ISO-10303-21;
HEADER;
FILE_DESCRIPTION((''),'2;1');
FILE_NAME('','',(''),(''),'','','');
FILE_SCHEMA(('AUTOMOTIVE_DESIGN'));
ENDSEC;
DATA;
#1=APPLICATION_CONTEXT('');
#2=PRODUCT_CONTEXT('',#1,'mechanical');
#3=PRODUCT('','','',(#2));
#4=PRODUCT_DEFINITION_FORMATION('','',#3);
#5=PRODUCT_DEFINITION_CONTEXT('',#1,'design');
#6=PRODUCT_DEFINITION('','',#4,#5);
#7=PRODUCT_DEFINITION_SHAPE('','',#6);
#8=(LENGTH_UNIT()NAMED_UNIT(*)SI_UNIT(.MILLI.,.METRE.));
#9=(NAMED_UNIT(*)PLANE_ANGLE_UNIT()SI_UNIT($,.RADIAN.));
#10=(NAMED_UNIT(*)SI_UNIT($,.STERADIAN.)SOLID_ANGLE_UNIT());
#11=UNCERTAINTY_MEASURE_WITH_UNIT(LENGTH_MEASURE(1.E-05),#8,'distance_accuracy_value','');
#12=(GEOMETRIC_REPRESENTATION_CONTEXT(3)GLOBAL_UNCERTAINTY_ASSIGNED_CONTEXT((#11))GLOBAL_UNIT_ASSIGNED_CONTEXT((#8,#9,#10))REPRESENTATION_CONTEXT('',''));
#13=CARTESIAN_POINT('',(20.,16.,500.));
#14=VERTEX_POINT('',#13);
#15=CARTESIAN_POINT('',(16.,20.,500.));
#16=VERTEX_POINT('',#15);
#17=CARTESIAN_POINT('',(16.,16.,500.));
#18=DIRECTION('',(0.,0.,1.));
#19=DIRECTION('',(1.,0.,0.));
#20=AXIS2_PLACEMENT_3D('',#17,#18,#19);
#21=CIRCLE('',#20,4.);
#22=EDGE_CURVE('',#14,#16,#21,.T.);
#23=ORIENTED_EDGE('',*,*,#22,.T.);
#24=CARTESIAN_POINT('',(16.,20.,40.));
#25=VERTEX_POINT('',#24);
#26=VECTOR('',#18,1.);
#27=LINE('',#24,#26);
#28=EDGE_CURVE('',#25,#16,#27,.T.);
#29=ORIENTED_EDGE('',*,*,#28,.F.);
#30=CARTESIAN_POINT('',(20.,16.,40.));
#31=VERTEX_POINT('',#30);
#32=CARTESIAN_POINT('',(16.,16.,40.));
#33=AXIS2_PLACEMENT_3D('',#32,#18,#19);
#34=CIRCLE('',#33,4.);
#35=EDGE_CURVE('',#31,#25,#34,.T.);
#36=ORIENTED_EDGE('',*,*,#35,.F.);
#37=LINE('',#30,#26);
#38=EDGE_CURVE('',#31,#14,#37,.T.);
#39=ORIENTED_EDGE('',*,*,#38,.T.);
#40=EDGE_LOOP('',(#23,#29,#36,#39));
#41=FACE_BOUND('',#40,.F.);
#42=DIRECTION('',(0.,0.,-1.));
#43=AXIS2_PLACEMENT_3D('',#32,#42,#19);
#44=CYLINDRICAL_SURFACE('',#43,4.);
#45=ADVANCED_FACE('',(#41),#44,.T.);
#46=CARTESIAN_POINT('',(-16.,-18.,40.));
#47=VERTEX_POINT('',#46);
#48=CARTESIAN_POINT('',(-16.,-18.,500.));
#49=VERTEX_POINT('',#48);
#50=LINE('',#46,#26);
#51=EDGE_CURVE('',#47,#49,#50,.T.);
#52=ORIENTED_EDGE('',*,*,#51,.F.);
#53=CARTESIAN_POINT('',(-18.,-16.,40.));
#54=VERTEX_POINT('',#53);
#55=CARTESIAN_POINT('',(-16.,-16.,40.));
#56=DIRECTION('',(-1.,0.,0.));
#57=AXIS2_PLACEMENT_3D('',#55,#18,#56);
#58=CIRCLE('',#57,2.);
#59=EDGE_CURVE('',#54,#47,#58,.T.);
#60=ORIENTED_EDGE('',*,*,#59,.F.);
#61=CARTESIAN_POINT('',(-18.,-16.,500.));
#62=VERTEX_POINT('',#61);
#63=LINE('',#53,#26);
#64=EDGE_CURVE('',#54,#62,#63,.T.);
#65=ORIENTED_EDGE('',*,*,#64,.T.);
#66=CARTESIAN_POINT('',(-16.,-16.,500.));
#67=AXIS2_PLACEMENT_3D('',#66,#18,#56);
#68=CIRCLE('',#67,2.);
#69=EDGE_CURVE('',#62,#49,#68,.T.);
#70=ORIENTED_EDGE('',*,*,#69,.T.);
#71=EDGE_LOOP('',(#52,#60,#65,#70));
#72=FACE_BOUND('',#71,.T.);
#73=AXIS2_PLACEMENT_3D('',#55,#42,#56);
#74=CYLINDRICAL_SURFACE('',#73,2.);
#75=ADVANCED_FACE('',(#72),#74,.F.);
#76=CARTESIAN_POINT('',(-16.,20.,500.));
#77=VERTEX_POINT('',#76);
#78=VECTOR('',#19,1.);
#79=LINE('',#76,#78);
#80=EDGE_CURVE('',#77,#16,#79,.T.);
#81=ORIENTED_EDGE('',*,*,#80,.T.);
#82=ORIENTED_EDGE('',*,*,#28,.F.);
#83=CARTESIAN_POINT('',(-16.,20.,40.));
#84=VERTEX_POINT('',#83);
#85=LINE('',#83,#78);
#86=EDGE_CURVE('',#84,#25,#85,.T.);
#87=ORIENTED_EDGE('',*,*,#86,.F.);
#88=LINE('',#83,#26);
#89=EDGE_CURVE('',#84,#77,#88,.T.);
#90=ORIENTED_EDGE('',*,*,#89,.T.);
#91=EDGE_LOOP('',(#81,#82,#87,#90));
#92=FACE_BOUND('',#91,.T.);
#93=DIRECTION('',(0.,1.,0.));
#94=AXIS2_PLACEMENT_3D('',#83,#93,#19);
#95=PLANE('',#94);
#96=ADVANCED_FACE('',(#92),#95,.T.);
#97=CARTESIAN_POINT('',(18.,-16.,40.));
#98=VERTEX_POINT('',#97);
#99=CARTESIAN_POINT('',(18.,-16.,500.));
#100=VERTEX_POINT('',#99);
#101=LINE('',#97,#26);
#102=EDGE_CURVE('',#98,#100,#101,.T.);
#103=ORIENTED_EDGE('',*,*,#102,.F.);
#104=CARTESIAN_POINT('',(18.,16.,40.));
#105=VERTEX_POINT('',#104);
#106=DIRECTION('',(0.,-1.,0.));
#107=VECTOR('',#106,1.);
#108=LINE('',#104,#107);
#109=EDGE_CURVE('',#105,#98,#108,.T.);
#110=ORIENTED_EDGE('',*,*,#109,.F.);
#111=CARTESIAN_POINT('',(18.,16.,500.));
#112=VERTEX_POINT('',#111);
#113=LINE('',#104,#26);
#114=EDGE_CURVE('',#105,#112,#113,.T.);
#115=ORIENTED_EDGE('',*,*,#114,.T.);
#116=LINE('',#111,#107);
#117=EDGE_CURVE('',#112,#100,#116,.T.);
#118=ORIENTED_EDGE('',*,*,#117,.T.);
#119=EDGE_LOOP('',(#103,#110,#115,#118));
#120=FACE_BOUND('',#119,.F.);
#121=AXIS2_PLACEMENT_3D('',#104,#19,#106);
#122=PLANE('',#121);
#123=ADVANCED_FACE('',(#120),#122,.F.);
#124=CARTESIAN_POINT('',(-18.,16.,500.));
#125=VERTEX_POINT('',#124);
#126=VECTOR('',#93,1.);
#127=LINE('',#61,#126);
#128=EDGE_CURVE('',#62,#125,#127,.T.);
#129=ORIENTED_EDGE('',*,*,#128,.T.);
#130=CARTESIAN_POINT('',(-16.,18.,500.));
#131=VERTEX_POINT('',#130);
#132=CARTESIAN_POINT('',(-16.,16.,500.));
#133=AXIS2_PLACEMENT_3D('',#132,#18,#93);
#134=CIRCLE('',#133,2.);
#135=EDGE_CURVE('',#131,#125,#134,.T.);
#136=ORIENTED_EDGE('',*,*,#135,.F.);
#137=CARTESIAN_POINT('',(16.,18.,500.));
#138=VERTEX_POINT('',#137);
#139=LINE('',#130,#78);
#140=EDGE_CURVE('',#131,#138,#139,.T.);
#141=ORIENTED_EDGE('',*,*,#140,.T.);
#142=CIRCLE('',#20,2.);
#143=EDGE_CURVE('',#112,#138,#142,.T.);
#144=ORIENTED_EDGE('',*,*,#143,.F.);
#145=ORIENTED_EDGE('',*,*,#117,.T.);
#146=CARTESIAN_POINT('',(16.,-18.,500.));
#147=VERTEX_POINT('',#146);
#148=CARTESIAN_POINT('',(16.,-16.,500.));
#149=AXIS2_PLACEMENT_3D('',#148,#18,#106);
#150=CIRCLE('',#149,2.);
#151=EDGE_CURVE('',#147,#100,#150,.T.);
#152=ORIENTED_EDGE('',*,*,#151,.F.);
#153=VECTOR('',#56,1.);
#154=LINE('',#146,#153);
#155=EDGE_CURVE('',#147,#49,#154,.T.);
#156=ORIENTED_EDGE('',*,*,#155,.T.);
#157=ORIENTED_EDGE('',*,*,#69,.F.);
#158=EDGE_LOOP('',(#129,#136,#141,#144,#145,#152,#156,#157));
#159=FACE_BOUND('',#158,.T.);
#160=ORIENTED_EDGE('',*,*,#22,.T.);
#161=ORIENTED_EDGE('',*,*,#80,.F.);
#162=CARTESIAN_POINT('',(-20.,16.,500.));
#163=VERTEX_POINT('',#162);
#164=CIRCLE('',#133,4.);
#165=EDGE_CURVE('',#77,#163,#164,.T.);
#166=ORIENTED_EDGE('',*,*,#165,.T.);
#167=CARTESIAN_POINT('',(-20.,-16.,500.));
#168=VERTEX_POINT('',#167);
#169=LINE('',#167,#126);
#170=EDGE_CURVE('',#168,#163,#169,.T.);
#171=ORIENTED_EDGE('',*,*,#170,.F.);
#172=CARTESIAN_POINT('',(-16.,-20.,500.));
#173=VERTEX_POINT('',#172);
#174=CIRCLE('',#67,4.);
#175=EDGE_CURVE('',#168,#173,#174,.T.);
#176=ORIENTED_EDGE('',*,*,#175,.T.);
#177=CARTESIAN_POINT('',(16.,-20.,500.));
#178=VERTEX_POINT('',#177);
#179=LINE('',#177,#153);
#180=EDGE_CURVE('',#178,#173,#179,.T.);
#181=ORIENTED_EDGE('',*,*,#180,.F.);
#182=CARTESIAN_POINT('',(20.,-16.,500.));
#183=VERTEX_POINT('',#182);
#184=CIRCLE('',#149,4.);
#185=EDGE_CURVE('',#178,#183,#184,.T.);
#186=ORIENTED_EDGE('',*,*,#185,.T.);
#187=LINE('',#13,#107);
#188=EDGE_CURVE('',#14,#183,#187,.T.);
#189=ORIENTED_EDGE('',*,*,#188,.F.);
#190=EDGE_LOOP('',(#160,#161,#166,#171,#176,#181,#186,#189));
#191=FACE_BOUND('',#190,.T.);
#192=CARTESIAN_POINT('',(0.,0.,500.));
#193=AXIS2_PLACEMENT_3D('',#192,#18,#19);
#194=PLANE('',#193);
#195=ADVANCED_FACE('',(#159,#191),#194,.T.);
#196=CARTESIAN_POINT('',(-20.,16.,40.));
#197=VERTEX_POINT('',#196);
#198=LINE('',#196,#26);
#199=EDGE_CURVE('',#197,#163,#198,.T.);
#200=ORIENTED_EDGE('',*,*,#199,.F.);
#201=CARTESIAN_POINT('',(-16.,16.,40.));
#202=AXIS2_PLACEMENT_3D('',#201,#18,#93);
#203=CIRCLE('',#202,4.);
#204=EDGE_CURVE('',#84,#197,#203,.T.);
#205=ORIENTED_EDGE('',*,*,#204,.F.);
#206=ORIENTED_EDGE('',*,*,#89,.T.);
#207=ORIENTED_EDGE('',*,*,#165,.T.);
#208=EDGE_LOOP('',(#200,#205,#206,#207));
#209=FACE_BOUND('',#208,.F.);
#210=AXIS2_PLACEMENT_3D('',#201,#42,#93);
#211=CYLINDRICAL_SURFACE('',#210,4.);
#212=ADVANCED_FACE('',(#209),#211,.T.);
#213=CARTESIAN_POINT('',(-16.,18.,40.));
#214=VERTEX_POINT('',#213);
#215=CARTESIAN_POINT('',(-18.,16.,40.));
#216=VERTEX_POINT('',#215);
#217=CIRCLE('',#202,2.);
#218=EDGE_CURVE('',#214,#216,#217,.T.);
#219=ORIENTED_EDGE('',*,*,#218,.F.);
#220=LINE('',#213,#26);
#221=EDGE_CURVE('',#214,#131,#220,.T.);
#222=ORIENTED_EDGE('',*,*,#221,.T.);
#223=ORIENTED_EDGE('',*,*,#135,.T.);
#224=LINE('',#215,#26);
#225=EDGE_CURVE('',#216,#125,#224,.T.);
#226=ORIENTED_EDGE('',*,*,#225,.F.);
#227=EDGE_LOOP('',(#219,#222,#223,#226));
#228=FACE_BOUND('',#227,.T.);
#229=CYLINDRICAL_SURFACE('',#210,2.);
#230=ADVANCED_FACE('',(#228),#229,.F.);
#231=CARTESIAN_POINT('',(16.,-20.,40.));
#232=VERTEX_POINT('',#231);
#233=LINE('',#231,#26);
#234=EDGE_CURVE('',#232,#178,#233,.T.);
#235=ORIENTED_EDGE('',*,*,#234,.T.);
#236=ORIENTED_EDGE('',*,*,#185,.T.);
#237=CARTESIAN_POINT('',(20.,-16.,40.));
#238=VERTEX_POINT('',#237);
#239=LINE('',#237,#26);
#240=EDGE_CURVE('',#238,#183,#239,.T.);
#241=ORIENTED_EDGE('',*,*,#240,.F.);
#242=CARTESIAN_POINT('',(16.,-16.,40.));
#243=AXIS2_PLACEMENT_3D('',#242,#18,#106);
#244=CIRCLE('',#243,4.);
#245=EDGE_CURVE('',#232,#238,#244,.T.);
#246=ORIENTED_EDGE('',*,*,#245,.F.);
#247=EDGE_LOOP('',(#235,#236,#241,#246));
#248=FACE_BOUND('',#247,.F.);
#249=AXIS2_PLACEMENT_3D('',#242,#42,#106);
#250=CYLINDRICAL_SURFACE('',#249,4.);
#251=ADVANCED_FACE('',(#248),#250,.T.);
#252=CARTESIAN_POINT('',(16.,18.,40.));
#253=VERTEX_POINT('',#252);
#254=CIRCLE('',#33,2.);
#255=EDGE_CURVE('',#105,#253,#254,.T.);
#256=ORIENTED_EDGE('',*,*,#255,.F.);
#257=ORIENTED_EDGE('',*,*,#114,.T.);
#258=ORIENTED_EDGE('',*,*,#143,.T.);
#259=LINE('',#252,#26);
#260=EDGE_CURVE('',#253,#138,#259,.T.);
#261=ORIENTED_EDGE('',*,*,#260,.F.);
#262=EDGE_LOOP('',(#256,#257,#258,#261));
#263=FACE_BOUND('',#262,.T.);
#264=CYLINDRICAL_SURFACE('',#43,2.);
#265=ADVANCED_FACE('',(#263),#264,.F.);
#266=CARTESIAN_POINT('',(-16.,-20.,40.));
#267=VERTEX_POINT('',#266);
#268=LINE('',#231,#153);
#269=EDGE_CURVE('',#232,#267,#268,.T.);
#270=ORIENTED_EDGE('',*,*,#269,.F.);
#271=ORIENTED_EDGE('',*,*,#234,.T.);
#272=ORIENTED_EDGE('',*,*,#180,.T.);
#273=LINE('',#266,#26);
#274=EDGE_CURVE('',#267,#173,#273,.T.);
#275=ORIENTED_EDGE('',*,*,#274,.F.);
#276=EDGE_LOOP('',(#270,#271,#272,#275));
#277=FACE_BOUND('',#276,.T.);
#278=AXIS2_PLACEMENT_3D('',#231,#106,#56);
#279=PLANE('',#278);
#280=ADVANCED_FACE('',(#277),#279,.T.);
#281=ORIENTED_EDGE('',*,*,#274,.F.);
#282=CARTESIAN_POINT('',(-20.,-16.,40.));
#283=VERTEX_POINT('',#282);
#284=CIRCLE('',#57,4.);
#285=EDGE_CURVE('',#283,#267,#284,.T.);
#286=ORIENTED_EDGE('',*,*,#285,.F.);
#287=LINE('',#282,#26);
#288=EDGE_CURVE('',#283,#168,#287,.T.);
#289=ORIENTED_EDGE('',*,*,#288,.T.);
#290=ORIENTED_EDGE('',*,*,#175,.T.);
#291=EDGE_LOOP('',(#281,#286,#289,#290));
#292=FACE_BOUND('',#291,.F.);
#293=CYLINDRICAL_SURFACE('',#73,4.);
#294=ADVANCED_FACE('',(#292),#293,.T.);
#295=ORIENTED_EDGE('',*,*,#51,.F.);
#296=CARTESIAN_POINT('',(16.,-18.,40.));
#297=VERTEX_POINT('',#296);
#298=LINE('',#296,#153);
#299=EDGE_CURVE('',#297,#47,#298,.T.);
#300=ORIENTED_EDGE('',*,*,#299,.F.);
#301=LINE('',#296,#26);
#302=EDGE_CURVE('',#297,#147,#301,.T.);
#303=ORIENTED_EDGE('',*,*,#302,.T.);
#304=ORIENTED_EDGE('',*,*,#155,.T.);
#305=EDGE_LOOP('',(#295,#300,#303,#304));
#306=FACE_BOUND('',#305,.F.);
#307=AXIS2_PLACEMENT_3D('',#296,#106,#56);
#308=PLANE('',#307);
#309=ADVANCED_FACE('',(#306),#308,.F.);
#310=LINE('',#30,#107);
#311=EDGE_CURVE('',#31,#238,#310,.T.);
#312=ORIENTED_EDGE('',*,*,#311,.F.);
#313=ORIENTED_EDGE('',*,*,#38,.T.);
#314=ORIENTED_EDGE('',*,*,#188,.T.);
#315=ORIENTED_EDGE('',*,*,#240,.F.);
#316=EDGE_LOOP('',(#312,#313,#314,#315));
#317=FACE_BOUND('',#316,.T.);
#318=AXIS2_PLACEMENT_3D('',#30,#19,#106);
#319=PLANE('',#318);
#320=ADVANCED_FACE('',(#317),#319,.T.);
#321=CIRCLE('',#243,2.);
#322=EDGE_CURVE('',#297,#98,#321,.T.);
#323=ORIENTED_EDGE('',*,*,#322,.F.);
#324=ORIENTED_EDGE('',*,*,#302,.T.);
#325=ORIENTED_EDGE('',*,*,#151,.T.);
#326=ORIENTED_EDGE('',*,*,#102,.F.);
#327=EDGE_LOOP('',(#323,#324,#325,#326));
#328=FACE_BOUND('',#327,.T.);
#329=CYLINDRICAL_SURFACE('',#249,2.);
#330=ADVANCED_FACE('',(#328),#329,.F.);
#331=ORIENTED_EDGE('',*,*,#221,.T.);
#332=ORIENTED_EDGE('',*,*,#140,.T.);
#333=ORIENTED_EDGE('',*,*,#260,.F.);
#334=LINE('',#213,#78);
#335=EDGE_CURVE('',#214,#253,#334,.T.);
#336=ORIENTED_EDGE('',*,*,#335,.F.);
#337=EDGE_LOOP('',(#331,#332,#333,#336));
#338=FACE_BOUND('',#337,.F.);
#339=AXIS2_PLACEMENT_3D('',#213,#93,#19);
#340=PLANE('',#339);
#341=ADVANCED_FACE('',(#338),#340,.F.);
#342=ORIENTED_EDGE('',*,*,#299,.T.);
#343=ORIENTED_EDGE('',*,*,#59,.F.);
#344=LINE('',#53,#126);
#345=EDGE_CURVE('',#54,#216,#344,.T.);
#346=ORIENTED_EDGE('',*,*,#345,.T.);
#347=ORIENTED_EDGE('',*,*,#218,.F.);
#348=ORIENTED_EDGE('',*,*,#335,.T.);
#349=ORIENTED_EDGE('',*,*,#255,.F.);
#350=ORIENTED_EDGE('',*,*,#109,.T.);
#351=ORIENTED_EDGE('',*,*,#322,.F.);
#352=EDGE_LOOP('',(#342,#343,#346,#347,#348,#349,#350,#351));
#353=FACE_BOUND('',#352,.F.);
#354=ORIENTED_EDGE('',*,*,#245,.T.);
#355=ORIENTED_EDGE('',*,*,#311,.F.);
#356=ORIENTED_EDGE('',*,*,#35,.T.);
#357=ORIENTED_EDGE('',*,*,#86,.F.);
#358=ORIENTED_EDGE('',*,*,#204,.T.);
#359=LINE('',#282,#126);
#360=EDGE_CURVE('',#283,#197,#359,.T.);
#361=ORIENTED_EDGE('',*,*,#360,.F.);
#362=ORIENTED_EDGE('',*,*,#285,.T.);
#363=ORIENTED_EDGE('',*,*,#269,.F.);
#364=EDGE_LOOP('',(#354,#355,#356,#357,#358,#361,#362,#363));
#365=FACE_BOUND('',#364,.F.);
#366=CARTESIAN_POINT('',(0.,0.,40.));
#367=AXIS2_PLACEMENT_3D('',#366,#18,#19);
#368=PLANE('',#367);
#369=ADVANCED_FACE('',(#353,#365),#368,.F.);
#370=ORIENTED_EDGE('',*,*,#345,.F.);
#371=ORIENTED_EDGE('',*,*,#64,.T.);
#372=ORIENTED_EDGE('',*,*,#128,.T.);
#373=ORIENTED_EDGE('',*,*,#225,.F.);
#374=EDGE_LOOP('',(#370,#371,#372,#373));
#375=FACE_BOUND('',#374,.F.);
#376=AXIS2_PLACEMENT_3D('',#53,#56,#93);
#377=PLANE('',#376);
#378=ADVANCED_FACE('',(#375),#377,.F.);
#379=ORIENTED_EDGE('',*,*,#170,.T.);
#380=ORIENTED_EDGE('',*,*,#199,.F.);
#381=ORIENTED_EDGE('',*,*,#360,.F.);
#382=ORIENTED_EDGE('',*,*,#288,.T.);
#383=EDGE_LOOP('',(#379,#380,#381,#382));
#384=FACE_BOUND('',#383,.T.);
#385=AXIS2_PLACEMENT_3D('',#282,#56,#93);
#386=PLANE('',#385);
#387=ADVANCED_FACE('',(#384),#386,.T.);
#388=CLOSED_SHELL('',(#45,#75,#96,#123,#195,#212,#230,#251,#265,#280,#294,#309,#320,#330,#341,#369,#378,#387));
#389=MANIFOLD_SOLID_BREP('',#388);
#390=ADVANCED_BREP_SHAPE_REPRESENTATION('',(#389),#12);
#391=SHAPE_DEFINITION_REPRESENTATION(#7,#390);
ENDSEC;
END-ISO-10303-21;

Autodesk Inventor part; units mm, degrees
ref_plane "YZ Plane" through (0, 0, 0) normal (1, 0, 0) x (0, 1, 0)
ref_plane "Start Plane" through (0, 0, 40) normal (0, 0, 1) x (1, 0, 0)
ref_plane "End Plane" through (0, 0, 500) normal (0, 0, 1) x (1, 0, 0)
sketch "Sketch" plane through (0, 0, 0) normal (0, 0, 1) x (1, 0, 0)
  line L0 (-20, -16) -> (-20, 16)
  line L1 (-16, 20) -> (16, 20)
  line L2 (20, 16) -> (20, -16)
  line L3 (16, -20) -> (-16, -20)
  arc A0 (-20, -16) -> (-16, -20) centre (-16, -16) ccw
  arc A1 (20, 16) -> (16, 20) centre (16, 16) ccw
  arc A2 (-16, 20) -> (-20, 16) centre (-16, 16) ccw
  arc A3 (16, -20) -> (20, -16) centre (16, -16) ccw
  arc A4 (-16, 18) -> (-18, 16) centre (-16, 16) ccw
  line L4 (-16, 18) -> (16, 18)
  arc A5 (18, 16) -> (16, 18) centre (16, 16) ccw
  line L5 (18, 16) -> (18, -16)
  arc A6 (16, -18) -> (18, -16) centre (16, -16) ccw
  line L6 (16, -18) -> (-16, -18)
  arc A7 (-18, -16) -> (-16, -18) centre (-16, -16) ccw
  line L7 (-18, -16) -> (-18, 16)
  line L8 (0, 29.1598) -> (0, -29.1598) construction
  line L9 (-29.1598, 0) -> (29.1598, 0) construction
  dimension "d7" = 4
  dimension "d9" = 40
  dimension "d11" = 40
  dimension "d12" = 2
  dimension "d15" = 20
  dimension "d16" = 20
extrude "Body" add sketch "Sketch" along normal up to surface (460 mm away) from surface at 40
sketch "Sketch3" plane through (0, 0, 0) normal (0, 0, 1) x (1, 0, 0)
  line L0 (0, 0) -> (10, 0)
ref_plane "Work Plane3" through (0, 0, 0) normal (0, -1, 0) x (1, 0, 0)
sketch "Sketch4" plane through (0, 0, 0) normal (0, -1, 0) x (1, 0, 0)
  line L0 (-2, 40) -> (12, 40) projected
  line L1 (-2, 500) -> (12, 500) projected
  dimension "d18" = 460
equation "\"d7\" = G_IR"
equation "\"d9\" = G_W"
equation "\"d11\" = G_H"
equation "\"d12\" = G_T"
equation "\"d15\" = 0.5 * d9"
equation "\"d16\" = 0.5 * d11"
equation "\"d3\" = G_L"
equation "\"G_W\" = 40"
equation "\"G_H\" = 40"
equation "\"G_T\" = 2"
equation "\"G_IR\" = 4"
equation "\"G_L\" = d18"
equation "\"G_OFFSET_END\" = 0"
properties part number "ISO 10799-2 - 40x40x2 - 460" material "Stainless Steel"
